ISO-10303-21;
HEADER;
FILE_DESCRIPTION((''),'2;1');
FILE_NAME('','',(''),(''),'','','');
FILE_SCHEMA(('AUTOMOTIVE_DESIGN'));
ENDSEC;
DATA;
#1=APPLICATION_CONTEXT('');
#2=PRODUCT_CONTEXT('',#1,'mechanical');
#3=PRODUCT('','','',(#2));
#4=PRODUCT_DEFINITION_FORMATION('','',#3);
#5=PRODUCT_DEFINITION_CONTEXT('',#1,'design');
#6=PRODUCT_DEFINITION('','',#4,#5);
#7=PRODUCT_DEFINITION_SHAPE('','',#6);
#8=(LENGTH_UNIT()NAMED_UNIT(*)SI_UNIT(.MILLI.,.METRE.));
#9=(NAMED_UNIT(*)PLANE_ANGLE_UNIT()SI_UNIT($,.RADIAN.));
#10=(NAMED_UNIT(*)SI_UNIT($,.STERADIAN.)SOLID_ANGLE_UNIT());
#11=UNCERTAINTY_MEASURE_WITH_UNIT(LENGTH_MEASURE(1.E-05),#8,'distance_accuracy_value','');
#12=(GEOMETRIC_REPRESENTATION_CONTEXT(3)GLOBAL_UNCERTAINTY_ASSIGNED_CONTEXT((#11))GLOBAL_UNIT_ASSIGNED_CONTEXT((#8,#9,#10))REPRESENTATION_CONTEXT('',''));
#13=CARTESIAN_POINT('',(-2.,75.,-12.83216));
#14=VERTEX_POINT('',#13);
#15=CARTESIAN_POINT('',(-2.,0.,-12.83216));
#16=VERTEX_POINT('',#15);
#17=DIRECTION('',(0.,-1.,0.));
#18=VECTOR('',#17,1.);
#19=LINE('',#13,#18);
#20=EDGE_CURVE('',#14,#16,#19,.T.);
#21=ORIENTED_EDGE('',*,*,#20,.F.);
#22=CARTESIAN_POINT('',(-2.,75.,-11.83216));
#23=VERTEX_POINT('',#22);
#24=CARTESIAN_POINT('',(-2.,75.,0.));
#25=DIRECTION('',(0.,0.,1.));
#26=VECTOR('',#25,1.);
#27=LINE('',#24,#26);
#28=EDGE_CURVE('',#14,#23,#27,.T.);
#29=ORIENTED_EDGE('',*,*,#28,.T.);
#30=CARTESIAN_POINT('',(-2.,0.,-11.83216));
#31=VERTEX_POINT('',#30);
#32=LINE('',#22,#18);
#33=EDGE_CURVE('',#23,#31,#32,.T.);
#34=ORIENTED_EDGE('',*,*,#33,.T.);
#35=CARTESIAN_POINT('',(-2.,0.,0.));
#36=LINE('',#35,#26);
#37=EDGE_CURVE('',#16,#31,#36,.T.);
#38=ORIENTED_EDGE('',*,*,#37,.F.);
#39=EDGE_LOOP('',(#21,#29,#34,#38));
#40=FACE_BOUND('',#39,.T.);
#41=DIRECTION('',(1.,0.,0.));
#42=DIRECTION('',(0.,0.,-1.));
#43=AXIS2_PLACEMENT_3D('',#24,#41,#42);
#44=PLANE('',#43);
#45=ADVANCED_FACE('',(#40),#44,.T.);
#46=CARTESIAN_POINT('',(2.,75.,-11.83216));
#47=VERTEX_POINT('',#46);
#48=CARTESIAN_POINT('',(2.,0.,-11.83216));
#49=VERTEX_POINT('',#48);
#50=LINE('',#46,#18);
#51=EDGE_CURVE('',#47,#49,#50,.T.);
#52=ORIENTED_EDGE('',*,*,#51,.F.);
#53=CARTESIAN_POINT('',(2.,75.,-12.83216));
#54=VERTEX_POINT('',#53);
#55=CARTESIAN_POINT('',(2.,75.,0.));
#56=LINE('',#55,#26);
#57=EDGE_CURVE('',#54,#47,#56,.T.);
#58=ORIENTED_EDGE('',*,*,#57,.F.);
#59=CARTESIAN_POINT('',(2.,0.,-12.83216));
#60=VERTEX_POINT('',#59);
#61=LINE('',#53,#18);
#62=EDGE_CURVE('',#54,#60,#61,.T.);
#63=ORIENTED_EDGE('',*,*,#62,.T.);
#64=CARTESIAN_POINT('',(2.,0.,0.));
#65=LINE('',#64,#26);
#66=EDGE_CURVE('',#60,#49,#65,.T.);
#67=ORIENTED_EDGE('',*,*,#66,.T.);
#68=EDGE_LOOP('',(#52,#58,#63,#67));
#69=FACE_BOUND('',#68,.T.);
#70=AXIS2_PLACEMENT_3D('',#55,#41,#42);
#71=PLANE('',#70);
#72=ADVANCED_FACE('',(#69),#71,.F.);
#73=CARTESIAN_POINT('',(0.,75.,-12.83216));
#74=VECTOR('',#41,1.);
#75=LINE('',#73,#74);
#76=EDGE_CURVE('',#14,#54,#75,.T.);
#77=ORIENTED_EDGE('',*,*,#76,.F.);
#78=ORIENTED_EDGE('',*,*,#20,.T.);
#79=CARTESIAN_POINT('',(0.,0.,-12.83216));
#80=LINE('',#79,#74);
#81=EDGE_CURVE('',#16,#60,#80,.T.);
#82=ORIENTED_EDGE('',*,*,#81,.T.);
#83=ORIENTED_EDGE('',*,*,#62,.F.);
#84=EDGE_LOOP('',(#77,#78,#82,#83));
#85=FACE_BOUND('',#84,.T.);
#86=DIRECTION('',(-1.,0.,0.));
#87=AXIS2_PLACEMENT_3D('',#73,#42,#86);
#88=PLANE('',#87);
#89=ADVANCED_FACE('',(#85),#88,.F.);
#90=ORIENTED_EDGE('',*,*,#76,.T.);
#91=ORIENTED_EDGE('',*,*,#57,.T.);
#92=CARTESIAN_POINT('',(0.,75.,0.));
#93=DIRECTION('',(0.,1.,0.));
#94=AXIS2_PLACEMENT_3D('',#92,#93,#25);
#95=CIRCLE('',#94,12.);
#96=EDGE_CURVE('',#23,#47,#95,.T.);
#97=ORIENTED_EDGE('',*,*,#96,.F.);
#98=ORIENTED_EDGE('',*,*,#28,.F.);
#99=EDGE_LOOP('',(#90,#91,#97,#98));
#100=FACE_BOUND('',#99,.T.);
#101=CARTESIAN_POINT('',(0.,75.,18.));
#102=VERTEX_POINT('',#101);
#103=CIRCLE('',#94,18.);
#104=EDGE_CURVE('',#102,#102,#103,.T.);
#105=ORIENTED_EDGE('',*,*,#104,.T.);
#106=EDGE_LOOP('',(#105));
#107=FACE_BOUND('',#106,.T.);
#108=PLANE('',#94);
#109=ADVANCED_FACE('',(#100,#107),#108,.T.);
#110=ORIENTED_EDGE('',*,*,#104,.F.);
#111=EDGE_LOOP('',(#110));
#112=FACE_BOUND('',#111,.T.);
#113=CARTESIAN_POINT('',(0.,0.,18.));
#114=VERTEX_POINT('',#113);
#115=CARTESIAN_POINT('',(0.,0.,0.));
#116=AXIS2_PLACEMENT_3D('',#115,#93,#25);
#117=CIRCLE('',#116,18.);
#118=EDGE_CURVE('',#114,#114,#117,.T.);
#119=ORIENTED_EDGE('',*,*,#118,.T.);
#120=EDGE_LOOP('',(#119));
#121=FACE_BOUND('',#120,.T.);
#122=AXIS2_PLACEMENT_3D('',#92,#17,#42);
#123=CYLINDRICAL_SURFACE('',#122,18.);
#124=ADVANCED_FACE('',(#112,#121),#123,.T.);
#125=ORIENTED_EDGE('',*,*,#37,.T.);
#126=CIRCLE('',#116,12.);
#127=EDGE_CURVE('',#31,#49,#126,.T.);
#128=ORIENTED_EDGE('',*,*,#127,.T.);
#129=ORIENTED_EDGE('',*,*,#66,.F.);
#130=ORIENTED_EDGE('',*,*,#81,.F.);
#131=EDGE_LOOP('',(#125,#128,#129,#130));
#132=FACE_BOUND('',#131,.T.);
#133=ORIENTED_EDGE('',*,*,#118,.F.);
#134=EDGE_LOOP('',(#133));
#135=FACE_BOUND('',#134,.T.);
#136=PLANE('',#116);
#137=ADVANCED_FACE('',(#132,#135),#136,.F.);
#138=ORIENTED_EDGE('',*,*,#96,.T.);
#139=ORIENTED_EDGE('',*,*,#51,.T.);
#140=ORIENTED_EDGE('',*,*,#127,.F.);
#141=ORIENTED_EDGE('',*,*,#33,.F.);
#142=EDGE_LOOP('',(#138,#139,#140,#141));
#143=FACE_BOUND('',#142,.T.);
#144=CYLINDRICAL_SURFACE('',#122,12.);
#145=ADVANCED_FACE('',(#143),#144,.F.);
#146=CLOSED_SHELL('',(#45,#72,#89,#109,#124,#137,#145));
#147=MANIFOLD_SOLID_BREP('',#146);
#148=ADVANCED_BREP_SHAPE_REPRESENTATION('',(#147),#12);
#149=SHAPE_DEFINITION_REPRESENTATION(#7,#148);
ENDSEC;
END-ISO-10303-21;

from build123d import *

# Parameters (mm, degrees)
SKETCH1_R           = 18
BOSS_EXTRUDE1_DEPTH = 75


with BuildPart() as part:
    # Sketch1 → Boss-Extrude1 (new body)
    with BuildSketch(Plane(origin=(0, 0, 0), x_dir=(1, 0, 0), z_dir=(0, 1, 0))):
        Circle(SKETCH1_R)
        with BuildLine():
            Line((-2, 11.832159566), (-2, 12.832159566))
            Line((-2, 12.832159566), (2, 12.832159566))
            Line((2, 12.832159566), (2, 11.832159566))
            ThreePointArc((2, 11.832159566), (9.16515139, 7.745966692), (12, 0))
            ThreePointArc((12, 0), (-7.745966692, -9.16515139), (-2, 11.832159566))
        make_face(mode=Mode.SUBTRACT)
    extrude(amount=BOSS_EXTRUDE1_DEPTH)


solid = part.part
